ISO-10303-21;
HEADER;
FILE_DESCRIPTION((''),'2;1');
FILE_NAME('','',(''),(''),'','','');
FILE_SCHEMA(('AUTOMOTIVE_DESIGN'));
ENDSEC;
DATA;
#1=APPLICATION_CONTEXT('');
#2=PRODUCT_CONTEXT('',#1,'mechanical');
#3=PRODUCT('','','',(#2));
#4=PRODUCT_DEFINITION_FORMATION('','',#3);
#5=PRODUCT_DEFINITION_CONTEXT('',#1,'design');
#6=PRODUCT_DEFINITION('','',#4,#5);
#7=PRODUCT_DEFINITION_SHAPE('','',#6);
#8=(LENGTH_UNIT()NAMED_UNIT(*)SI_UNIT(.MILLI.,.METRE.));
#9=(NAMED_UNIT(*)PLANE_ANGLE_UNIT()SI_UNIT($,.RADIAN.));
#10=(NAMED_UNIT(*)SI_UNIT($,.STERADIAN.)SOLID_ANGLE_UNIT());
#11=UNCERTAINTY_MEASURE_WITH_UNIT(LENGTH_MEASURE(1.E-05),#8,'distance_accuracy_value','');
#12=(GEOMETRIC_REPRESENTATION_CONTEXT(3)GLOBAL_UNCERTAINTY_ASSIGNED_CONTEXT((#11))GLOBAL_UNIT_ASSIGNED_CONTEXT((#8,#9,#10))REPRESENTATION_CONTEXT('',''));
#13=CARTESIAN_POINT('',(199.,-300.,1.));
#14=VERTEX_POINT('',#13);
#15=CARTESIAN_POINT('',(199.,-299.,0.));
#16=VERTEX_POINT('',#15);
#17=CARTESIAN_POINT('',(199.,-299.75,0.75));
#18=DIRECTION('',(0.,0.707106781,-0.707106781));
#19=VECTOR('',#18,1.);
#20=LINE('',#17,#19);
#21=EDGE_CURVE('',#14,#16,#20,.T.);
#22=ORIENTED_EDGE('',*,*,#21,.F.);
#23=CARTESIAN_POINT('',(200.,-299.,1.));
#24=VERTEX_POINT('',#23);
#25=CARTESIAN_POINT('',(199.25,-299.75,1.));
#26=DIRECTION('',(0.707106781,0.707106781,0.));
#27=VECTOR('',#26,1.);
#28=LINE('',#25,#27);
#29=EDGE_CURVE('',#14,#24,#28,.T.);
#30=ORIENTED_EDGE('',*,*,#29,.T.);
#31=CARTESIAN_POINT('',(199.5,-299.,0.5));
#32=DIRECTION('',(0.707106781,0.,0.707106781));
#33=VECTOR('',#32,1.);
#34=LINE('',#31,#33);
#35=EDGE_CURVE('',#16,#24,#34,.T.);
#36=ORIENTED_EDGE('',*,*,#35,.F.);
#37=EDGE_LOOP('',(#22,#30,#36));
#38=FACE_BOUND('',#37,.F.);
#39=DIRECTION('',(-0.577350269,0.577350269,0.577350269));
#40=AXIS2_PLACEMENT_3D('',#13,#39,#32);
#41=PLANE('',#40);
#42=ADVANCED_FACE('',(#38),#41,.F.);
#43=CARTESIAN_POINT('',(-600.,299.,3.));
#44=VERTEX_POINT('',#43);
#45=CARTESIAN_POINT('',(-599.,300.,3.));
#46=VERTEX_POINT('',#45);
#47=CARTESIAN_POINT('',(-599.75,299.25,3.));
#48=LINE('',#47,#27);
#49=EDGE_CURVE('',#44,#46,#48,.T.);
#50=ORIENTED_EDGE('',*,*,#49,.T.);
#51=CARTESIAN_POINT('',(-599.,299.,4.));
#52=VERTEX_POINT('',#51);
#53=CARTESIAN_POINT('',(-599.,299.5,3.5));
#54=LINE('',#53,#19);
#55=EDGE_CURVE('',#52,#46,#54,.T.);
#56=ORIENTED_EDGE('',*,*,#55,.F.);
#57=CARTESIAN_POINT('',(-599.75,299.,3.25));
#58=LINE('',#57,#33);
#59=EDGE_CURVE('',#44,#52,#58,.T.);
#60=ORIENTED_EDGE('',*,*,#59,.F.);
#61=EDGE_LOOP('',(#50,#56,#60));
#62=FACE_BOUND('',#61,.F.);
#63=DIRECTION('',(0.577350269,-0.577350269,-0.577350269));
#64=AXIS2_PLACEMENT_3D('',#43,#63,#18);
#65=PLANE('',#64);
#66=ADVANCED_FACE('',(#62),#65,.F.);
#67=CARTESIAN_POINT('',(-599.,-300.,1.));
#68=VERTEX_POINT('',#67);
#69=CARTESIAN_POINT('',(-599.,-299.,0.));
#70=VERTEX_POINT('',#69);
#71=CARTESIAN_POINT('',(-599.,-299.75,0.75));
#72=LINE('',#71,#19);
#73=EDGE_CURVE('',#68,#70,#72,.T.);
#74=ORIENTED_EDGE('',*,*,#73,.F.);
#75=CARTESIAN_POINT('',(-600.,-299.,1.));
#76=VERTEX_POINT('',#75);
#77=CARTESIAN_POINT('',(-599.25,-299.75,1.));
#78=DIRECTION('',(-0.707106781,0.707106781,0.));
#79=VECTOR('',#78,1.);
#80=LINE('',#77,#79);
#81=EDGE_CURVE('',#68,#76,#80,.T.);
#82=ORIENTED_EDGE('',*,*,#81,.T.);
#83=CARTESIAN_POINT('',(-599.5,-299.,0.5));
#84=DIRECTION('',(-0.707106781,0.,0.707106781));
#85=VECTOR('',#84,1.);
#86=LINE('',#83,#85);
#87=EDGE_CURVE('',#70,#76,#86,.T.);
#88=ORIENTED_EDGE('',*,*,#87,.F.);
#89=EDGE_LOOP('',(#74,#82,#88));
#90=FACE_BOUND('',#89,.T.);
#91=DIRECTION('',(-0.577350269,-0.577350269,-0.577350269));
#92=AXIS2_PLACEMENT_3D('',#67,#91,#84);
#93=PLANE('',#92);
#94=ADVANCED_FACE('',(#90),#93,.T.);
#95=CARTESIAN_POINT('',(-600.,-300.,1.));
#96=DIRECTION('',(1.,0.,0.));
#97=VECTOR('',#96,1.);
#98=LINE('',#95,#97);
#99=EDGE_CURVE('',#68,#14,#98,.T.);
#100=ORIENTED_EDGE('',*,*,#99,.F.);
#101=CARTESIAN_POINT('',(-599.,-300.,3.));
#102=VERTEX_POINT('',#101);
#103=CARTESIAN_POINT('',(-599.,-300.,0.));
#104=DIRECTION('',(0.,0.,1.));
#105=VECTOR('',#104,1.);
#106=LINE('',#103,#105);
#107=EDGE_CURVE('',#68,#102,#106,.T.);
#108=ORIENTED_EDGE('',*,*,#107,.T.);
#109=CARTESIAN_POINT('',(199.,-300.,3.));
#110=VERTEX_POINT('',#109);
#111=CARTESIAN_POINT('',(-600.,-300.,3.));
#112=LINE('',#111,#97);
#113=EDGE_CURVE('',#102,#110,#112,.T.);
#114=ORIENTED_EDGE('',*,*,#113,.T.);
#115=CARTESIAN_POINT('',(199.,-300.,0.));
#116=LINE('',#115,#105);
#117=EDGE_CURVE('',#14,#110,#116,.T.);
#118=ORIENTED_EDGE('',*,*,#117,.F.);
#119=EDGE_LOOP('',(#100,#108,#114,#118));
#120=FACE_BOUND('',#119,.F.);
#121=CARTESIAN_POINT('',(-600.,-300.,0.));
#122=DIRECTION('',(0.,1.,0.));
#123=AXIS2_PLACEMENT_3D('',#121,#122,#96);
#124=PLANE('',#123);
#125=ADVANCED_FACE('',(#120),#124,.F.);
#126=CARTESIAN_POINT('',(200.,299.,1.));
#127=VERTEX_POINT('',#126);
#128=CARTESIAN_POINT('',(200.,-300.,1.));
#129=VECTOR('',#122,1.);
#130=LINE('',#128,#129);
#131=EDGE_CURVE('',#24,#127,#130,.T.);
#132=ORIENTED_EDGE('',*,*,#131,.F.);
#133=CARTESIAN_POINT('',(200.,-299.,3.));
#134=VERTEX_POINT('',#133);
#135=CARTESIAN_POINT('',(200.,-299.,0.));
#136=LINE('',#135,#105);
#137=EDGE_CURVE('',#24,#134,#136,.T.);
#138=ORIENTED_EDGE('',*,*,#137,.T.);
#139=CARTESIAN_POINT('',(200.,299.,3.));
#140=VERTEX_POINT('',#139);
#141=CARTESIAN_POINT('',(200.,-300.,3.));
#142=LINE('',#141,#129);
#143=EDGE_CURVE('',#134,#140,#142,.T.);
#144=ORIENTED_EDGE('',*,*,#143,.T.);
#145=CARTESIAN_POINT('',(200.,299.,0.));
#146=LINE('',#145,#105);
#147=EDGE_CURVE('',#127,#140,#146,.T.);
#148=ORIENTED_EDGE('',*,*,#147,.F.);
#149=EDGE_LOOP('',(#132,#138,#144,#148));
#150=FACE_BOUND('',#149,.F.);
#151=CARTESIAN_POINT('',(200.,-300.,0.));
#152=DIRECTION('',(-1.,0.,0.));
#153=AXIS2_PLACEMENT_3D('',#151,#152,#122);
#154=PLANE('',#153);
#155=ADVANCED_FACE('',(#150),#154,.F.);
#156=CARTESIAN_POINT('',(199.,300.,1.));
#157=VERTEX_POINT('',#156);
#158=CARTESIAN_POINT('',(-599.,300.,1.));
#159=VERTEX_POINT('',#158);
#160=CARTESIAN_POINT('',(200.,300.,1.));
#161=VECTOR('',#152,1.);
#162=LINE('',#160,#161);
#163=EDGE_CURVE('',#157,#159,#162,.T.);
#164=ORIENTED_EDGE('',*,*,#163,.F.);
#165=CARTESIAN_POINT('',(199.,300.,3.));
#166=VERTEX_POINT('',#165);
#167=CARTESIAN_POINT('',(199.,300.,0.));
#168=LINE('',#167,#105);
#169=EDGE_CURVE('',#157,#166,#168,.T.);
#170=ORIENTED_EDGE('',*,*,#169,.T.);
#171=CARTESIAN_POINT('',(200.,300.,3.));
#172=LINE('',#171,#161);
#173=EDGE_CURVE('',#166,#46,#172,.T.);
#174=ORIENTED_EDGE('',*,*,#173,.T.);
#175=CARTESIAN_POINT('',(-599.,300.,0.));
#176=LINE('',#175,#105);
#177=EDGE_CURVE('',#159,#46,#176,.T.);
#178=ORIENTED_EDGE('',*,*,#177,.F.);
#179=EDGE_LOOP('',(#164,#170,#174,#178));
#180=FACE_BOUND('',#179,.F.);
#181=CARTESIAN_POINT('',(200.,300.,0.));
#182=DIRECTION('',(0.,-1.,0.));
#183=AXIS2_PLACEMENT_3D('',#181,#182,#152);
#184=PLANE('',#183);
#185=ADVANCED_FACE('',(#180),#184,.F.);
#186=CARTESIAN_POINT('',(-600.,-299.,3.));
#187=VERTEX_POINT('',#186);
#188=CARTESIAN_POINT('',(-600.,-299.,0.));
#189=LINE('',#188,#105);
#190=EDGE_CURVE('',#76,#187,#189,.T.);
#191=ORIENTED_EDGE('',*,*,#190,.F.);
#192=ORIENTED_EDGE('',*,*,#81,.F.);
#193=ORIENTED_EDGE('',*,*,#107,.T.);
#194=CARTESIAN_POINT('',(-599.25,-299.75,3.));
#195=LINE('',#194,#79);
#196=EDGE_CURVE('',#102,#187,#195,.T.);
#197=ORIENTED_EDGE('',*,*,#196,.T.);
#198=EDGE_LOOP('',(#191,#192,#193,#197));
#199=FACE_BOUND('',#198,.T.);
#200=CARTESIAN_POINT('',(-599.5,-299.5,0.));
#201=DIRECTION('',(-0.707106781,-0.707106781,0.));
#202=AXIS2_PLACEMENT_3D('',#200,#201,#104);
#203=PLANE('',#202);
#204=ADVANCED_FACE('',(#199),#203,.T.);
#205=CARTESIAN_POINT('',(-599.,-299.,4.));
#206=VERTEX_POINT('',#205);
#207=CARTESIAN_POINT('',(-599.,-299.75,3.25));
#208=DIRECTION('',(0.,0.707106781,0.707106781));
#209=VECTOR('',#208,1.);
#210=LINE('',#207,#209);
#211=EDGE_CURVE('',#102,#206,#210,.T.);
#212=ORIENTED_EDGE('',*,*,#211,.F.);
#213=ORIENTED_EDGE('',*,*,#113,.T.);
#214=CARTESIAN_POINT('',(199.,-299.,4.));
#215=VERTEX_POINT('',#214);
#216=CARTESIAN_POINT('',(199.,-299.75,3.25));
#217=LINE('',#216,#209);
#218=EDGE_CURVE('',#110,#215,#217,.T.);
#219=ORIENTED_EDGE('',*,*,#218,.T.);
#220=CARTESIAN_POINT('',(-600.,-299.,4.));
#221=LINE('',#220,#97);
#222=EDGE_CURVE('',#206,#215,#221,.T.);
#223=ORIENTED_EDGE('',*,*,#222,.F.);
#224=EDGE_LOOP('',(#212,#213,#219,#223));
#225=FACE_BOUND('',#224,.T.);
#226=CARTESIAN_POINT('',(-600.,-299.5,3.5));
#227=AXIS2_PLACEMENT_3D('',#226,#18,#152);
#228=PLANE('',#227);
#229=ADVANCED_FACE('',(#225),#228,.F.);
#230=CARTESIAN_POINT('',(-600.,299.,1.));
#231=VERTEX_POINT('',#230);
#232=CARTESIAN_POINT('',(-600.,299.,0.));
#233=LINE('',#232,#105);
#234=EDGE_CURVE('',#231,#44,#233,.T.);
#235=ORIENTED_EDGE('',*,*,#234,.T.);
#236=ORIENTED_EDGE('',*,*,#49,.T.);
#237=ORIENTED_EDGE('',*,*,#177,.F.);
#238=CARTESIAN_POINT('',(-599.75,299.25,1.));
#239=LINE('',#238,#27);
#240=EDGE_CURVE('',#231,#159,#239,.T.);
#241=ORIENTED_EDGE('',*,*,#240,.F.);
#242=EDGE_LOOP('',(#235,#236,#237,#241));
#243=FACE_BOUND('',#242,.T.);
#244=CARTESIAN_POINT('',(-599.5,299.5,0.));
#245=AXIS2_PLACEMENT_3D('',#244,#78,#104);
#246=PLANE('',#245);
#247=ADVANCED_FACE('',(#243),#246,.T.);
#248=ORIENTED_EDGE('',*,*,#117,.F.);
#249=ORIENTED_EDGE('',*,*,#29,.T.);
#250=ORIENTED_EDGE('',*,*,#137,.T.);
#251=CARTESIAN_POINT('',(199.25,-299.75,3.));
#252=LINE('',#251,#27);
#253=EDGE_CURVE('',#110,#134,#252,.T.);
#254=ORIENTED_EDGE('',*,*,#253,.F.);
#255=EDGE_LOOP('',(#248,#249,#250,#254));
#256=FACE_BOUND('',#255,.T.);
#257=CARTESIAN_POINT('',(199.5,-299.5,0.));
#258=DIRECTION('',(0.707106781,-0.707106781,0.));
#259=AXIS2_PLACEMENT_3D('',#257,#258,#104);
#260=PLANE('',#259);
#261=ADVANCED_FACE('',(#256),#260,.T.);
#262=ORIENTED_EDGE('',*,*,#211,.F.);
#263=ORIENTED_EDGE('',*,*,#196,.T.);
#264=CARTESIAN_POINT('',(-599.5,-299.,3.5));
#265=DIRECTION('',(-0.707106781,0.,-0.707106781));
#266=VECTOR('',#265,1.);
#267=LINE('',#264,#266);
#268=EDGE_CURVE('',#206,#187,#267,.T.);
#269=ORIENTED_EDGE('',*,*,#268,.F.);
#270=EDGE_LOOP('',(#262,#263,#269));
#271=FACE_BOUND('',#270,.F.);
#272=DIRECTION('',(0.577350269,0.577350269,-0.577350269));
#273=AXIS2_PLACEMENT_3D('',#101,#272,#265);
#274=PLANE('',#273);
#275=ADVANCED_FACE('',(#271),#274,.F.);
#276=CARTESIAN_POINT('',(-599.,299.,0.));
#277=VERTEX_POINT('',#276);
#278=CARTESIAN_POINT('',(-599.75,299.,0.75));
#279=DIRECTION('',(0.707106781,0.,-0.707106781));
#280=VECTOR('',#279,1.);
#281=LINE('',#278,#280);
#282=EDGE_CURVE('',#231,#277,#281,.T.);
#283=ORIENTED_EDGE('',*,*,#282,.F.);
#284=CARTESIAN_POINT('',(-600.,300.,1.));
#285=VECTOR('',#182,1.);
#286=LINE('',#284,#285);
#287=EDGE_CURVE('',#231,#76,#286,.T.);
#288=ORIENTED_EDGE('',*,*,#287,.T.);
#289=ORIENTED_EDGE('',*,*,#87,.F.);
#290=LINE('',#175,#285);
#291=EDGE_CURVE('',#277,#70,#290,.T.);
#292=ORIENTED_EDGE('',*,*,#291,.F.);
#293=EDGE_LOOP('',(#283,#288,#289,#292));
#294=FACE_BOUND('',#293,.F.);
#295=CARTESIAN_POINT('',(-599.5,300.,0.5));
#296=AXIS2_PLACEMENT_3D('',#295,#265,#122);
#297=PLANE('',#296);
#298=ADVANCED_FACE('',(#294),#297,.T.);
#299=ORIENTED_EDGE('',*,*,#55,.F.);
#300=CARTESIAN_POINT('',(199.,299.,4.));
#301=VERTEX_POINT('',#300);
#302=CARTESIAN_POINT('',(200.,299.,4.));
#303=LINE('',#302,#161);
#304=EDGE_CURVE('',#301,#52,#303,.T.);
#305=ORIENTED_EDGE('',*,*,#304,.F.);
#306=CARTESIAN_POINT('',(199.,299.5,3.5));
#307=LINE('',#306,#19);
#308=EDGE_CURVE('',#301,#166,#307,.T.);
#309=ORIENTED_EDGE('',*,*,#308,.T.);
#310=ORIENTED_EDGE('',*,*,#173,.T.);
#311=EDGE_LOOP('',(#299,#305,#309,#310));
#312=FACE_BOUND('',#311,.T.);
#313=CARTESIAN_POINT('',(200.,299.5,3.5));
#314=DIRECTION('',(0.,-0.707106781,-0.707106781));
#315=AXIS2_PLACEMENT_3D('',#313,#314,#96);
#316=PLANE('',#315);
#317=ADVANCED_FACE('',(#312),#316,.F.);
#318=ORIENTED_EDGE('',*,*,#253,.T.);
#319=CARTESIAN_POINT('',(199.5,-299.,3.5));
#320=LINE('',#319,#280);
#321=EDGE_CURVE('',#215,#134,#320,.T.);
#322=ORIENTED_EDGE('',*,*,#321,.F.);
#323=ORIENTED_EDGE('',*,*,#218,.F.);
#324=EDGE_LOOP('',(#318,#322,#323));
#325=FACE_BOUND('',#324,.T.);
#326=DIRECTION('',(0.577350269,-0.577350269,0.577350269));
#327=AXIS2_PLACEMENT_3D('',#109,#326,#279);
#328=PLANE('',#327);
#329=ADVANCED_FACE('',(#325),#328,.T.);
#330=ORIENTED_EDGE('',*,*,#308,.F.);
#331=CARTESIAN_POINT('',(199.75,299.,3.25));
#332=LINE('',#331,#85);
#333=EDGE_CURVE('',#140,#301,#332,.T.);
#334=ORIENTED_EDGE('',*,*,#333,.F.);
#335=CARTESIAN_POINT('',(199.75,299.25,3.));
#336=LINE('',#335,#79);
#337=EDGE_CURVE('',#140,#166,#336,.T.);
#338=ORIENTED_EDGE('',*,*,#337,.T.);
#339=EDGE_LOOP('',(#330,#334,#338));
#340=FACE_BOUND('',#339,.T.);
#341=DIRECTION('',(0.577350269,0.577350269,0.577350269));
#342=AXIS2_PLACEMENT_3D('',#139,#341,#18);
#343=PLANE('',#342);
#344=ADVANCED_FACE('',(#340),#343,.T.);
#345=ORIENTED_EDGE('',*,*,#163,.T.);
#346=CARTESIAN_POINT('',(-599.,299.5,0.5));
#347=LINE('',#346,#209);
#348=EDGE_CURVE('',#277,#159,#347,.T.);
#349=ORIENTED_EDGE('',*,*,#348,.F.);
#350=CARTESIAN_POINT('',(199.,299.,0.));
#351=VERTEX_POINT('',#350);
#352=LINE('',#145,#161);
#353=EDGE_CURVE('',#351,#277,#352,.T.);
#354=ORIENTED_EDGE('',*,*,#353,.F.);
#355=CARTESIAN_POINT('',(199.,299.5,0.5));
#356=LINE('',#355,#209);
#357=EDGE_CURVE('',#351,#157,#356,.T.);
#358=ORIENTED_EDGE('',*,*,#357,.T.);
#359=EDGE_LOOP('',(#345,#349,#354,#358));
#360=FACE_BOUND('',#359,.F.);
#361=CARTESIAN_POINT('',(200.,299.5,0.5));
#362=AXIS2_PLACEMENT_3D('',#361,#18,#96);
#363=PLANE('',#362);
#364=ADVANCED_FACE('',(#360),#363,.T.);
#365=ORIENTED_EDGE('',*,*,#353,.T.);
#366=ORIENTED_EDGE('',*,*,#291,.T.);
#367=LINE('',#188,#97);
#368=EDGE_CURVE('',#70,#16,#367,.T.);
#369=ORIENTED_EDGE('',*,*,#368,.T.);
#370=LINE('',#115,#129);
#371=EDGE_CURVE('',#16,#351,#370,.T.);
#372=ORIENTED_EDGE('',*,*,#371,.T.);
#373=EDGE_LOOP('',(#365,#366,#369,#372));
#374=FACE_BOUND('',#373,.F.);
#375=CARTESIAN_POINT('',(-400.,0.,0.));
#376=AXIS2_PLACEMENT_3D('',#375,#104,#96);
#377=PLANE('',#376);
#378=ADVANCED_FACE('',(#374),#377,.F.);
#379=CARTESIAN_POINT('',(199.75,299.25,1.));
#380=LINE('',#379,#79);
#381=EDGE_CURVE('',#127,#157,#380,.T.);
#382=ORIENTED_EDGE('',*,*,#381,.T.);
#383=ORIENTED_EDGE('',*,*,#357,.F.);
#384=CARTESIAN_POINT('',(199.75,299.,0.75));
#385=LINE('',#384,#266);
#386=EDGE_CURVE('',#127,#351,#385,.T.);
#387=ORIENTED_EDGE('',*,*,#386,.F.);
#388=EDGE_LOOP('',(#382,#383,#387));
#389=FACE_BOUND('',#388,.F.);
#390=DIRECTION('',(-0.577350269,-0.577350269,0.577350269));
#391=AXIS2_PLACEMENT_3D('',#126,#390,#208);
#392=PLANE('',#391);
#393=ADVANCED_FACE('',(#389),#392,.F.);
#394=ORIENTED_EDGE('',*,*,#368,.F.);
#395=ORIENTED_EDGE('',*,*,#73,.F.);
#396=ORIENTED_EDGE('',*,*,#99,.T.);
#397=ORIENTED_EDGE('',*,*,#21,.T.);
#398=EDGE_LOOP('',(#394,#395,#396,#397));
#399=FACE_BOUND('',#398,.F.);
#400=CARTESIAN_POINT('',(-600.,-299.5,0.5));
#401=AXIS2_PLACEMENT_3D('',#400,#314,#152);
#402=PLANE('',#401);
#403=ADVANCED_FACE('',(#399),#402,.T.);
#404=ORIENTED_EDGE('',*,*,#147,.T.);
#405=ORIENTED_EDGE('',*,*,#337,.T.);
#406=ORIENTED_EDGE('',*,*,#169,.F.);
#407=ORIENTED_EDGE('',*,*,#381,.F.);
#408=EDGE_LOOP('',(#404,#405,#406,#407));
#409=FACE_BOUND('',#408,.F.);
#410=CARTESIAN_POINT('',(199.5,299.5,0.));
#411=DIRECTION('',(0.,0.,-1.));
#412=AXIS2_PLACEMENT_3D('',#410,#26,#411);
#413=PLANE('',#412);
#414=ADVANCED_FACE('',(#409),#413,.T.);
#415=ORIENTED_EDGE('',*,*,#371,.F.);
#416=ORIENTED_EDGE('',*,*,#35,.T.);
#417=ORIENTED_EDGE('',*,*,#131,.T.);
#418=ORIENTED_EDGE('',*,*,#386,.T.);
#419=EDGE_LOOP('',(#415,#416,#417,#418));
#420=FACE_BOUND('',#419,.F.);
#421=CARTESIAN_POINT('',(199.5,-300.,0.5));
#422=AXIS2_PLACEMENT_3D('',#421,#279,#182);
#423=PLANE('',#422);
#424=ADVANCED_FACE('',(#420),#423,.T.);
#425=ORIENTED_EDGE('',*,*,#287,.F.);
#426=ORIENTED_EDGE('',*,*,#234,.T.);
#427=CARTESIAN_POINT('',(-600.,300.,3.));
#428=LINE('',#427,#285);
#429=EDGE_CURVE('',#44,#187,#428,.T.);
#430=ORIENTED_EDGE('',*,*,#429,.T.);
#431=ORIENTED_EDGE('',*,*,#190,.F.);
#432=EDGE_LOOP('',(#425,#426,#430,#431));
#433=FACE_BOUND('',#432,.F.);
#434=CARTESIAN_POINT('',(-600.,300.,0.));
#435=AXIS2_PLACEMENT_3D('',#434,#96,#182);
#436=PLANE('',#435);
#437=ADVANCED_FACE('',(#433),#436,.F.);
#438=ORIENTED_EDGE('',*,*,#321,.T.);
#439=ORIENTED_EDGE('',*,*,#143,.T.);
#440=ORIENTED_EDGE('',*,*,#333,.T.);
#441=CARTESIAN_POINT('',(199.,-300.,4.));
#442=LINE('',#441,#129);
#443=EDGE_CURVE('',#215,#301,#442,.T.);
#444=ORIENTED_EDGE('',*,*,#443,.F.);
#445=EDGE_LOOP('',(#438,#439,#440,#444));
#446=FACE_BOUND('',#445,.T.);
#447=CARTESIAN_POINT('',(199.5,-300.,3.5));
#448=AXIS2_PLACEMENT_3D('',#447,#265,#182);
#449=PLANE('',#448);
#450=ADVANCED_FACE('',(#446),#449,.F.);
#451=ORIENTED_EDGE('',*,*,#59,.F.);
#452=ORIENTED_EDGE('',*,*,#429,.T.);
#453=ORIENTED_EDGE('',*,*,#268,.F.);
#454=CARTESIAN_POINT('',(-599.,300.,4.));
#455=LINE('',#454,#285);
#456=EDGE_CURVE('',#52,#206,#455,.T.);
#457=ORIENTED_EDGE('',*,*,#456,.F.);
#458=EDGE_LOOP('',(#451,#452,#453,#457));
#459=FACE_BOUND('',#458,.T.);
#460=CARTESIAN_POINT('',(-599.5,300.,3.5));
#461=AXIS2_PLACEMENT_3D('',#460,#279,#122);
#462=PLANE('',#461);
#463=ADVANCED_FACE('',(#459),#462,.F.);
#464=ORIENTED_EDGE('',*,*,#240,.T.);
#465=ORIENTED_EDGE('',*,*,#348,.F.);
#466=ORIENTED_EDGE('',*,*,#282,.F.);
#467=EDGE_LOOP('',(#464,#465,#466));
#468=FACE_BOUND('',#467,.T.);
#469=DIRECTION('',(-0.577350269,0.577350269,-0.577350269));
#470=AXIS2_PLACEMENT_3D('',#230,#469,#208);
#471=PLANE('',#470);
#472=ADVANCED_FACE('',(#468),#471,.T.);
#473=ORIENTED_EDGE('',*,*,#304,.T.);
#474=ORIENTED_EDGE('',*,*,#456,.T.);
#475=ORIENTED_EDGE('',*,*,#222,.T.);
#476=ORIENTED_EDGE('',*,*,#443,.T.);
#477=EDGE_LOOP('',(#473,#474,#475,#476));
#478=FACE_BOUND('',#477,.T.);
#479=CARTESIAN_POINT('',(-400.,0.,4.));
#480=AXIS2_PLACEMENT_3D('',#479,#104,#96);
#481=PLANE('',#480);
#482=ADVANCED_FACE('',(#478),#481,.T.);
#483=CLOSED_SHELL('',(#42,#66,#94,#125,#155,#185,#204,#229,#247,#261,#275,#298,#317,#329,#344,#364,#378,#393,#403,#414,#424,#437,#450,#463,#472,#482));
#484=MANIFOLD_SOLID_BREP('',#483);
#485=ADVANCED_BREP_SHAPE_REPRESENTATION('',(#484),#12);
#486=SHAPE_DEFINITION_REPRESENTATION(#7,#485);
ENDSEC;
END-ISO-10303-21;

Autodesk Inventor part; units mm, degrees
ref_plane "YZ Plane" through (0, 0, 0) normal (1, 0, 0) x (0, 1, 0)
ref_plane "XZ Plane" through (0, 0, 0) normal (0, 1, 0) x (-1, 0, 0)
ref_plane "XY Plane" through (0, 0, 0) normal (0, 0, 1) x (1, 0, 0)
ref_plane "Work Plane1" through (-400, 0, 0) normal (0, 0, 1) x (1, 0, 0)
sketch "Sketch1" plane through (-400, 0, 0) normal (0, 0, 1) x (1, 0, 0)
  line L0 (600, 300) -> (-200, 300) projected
  line L1 (-200, 300) -> (-200, -300) projected
  line L2 (-200, -300) -> (600, -300) projected
  line L3 (600, -300) -> (600, 300) projected
  point P0 (400, 0)
extrude "Extrusion1" add sketch "Sketch1" along normal blind 4
chamfer "Chamfer1" distance 1 angle 45 12 edges at (-200, 300, 4) (-600, 0, 4) (200, 0, 4) (-200, -300, 4) (-200, 300, 0) (200, 0, 0) (-600, 0, 0) (-200, -300, 0) (-600, 300, 2) (200, 300, 2) (200, -300, 2) (-600, -300, 2)
properties part number "VidrioChico" material "Glass"
